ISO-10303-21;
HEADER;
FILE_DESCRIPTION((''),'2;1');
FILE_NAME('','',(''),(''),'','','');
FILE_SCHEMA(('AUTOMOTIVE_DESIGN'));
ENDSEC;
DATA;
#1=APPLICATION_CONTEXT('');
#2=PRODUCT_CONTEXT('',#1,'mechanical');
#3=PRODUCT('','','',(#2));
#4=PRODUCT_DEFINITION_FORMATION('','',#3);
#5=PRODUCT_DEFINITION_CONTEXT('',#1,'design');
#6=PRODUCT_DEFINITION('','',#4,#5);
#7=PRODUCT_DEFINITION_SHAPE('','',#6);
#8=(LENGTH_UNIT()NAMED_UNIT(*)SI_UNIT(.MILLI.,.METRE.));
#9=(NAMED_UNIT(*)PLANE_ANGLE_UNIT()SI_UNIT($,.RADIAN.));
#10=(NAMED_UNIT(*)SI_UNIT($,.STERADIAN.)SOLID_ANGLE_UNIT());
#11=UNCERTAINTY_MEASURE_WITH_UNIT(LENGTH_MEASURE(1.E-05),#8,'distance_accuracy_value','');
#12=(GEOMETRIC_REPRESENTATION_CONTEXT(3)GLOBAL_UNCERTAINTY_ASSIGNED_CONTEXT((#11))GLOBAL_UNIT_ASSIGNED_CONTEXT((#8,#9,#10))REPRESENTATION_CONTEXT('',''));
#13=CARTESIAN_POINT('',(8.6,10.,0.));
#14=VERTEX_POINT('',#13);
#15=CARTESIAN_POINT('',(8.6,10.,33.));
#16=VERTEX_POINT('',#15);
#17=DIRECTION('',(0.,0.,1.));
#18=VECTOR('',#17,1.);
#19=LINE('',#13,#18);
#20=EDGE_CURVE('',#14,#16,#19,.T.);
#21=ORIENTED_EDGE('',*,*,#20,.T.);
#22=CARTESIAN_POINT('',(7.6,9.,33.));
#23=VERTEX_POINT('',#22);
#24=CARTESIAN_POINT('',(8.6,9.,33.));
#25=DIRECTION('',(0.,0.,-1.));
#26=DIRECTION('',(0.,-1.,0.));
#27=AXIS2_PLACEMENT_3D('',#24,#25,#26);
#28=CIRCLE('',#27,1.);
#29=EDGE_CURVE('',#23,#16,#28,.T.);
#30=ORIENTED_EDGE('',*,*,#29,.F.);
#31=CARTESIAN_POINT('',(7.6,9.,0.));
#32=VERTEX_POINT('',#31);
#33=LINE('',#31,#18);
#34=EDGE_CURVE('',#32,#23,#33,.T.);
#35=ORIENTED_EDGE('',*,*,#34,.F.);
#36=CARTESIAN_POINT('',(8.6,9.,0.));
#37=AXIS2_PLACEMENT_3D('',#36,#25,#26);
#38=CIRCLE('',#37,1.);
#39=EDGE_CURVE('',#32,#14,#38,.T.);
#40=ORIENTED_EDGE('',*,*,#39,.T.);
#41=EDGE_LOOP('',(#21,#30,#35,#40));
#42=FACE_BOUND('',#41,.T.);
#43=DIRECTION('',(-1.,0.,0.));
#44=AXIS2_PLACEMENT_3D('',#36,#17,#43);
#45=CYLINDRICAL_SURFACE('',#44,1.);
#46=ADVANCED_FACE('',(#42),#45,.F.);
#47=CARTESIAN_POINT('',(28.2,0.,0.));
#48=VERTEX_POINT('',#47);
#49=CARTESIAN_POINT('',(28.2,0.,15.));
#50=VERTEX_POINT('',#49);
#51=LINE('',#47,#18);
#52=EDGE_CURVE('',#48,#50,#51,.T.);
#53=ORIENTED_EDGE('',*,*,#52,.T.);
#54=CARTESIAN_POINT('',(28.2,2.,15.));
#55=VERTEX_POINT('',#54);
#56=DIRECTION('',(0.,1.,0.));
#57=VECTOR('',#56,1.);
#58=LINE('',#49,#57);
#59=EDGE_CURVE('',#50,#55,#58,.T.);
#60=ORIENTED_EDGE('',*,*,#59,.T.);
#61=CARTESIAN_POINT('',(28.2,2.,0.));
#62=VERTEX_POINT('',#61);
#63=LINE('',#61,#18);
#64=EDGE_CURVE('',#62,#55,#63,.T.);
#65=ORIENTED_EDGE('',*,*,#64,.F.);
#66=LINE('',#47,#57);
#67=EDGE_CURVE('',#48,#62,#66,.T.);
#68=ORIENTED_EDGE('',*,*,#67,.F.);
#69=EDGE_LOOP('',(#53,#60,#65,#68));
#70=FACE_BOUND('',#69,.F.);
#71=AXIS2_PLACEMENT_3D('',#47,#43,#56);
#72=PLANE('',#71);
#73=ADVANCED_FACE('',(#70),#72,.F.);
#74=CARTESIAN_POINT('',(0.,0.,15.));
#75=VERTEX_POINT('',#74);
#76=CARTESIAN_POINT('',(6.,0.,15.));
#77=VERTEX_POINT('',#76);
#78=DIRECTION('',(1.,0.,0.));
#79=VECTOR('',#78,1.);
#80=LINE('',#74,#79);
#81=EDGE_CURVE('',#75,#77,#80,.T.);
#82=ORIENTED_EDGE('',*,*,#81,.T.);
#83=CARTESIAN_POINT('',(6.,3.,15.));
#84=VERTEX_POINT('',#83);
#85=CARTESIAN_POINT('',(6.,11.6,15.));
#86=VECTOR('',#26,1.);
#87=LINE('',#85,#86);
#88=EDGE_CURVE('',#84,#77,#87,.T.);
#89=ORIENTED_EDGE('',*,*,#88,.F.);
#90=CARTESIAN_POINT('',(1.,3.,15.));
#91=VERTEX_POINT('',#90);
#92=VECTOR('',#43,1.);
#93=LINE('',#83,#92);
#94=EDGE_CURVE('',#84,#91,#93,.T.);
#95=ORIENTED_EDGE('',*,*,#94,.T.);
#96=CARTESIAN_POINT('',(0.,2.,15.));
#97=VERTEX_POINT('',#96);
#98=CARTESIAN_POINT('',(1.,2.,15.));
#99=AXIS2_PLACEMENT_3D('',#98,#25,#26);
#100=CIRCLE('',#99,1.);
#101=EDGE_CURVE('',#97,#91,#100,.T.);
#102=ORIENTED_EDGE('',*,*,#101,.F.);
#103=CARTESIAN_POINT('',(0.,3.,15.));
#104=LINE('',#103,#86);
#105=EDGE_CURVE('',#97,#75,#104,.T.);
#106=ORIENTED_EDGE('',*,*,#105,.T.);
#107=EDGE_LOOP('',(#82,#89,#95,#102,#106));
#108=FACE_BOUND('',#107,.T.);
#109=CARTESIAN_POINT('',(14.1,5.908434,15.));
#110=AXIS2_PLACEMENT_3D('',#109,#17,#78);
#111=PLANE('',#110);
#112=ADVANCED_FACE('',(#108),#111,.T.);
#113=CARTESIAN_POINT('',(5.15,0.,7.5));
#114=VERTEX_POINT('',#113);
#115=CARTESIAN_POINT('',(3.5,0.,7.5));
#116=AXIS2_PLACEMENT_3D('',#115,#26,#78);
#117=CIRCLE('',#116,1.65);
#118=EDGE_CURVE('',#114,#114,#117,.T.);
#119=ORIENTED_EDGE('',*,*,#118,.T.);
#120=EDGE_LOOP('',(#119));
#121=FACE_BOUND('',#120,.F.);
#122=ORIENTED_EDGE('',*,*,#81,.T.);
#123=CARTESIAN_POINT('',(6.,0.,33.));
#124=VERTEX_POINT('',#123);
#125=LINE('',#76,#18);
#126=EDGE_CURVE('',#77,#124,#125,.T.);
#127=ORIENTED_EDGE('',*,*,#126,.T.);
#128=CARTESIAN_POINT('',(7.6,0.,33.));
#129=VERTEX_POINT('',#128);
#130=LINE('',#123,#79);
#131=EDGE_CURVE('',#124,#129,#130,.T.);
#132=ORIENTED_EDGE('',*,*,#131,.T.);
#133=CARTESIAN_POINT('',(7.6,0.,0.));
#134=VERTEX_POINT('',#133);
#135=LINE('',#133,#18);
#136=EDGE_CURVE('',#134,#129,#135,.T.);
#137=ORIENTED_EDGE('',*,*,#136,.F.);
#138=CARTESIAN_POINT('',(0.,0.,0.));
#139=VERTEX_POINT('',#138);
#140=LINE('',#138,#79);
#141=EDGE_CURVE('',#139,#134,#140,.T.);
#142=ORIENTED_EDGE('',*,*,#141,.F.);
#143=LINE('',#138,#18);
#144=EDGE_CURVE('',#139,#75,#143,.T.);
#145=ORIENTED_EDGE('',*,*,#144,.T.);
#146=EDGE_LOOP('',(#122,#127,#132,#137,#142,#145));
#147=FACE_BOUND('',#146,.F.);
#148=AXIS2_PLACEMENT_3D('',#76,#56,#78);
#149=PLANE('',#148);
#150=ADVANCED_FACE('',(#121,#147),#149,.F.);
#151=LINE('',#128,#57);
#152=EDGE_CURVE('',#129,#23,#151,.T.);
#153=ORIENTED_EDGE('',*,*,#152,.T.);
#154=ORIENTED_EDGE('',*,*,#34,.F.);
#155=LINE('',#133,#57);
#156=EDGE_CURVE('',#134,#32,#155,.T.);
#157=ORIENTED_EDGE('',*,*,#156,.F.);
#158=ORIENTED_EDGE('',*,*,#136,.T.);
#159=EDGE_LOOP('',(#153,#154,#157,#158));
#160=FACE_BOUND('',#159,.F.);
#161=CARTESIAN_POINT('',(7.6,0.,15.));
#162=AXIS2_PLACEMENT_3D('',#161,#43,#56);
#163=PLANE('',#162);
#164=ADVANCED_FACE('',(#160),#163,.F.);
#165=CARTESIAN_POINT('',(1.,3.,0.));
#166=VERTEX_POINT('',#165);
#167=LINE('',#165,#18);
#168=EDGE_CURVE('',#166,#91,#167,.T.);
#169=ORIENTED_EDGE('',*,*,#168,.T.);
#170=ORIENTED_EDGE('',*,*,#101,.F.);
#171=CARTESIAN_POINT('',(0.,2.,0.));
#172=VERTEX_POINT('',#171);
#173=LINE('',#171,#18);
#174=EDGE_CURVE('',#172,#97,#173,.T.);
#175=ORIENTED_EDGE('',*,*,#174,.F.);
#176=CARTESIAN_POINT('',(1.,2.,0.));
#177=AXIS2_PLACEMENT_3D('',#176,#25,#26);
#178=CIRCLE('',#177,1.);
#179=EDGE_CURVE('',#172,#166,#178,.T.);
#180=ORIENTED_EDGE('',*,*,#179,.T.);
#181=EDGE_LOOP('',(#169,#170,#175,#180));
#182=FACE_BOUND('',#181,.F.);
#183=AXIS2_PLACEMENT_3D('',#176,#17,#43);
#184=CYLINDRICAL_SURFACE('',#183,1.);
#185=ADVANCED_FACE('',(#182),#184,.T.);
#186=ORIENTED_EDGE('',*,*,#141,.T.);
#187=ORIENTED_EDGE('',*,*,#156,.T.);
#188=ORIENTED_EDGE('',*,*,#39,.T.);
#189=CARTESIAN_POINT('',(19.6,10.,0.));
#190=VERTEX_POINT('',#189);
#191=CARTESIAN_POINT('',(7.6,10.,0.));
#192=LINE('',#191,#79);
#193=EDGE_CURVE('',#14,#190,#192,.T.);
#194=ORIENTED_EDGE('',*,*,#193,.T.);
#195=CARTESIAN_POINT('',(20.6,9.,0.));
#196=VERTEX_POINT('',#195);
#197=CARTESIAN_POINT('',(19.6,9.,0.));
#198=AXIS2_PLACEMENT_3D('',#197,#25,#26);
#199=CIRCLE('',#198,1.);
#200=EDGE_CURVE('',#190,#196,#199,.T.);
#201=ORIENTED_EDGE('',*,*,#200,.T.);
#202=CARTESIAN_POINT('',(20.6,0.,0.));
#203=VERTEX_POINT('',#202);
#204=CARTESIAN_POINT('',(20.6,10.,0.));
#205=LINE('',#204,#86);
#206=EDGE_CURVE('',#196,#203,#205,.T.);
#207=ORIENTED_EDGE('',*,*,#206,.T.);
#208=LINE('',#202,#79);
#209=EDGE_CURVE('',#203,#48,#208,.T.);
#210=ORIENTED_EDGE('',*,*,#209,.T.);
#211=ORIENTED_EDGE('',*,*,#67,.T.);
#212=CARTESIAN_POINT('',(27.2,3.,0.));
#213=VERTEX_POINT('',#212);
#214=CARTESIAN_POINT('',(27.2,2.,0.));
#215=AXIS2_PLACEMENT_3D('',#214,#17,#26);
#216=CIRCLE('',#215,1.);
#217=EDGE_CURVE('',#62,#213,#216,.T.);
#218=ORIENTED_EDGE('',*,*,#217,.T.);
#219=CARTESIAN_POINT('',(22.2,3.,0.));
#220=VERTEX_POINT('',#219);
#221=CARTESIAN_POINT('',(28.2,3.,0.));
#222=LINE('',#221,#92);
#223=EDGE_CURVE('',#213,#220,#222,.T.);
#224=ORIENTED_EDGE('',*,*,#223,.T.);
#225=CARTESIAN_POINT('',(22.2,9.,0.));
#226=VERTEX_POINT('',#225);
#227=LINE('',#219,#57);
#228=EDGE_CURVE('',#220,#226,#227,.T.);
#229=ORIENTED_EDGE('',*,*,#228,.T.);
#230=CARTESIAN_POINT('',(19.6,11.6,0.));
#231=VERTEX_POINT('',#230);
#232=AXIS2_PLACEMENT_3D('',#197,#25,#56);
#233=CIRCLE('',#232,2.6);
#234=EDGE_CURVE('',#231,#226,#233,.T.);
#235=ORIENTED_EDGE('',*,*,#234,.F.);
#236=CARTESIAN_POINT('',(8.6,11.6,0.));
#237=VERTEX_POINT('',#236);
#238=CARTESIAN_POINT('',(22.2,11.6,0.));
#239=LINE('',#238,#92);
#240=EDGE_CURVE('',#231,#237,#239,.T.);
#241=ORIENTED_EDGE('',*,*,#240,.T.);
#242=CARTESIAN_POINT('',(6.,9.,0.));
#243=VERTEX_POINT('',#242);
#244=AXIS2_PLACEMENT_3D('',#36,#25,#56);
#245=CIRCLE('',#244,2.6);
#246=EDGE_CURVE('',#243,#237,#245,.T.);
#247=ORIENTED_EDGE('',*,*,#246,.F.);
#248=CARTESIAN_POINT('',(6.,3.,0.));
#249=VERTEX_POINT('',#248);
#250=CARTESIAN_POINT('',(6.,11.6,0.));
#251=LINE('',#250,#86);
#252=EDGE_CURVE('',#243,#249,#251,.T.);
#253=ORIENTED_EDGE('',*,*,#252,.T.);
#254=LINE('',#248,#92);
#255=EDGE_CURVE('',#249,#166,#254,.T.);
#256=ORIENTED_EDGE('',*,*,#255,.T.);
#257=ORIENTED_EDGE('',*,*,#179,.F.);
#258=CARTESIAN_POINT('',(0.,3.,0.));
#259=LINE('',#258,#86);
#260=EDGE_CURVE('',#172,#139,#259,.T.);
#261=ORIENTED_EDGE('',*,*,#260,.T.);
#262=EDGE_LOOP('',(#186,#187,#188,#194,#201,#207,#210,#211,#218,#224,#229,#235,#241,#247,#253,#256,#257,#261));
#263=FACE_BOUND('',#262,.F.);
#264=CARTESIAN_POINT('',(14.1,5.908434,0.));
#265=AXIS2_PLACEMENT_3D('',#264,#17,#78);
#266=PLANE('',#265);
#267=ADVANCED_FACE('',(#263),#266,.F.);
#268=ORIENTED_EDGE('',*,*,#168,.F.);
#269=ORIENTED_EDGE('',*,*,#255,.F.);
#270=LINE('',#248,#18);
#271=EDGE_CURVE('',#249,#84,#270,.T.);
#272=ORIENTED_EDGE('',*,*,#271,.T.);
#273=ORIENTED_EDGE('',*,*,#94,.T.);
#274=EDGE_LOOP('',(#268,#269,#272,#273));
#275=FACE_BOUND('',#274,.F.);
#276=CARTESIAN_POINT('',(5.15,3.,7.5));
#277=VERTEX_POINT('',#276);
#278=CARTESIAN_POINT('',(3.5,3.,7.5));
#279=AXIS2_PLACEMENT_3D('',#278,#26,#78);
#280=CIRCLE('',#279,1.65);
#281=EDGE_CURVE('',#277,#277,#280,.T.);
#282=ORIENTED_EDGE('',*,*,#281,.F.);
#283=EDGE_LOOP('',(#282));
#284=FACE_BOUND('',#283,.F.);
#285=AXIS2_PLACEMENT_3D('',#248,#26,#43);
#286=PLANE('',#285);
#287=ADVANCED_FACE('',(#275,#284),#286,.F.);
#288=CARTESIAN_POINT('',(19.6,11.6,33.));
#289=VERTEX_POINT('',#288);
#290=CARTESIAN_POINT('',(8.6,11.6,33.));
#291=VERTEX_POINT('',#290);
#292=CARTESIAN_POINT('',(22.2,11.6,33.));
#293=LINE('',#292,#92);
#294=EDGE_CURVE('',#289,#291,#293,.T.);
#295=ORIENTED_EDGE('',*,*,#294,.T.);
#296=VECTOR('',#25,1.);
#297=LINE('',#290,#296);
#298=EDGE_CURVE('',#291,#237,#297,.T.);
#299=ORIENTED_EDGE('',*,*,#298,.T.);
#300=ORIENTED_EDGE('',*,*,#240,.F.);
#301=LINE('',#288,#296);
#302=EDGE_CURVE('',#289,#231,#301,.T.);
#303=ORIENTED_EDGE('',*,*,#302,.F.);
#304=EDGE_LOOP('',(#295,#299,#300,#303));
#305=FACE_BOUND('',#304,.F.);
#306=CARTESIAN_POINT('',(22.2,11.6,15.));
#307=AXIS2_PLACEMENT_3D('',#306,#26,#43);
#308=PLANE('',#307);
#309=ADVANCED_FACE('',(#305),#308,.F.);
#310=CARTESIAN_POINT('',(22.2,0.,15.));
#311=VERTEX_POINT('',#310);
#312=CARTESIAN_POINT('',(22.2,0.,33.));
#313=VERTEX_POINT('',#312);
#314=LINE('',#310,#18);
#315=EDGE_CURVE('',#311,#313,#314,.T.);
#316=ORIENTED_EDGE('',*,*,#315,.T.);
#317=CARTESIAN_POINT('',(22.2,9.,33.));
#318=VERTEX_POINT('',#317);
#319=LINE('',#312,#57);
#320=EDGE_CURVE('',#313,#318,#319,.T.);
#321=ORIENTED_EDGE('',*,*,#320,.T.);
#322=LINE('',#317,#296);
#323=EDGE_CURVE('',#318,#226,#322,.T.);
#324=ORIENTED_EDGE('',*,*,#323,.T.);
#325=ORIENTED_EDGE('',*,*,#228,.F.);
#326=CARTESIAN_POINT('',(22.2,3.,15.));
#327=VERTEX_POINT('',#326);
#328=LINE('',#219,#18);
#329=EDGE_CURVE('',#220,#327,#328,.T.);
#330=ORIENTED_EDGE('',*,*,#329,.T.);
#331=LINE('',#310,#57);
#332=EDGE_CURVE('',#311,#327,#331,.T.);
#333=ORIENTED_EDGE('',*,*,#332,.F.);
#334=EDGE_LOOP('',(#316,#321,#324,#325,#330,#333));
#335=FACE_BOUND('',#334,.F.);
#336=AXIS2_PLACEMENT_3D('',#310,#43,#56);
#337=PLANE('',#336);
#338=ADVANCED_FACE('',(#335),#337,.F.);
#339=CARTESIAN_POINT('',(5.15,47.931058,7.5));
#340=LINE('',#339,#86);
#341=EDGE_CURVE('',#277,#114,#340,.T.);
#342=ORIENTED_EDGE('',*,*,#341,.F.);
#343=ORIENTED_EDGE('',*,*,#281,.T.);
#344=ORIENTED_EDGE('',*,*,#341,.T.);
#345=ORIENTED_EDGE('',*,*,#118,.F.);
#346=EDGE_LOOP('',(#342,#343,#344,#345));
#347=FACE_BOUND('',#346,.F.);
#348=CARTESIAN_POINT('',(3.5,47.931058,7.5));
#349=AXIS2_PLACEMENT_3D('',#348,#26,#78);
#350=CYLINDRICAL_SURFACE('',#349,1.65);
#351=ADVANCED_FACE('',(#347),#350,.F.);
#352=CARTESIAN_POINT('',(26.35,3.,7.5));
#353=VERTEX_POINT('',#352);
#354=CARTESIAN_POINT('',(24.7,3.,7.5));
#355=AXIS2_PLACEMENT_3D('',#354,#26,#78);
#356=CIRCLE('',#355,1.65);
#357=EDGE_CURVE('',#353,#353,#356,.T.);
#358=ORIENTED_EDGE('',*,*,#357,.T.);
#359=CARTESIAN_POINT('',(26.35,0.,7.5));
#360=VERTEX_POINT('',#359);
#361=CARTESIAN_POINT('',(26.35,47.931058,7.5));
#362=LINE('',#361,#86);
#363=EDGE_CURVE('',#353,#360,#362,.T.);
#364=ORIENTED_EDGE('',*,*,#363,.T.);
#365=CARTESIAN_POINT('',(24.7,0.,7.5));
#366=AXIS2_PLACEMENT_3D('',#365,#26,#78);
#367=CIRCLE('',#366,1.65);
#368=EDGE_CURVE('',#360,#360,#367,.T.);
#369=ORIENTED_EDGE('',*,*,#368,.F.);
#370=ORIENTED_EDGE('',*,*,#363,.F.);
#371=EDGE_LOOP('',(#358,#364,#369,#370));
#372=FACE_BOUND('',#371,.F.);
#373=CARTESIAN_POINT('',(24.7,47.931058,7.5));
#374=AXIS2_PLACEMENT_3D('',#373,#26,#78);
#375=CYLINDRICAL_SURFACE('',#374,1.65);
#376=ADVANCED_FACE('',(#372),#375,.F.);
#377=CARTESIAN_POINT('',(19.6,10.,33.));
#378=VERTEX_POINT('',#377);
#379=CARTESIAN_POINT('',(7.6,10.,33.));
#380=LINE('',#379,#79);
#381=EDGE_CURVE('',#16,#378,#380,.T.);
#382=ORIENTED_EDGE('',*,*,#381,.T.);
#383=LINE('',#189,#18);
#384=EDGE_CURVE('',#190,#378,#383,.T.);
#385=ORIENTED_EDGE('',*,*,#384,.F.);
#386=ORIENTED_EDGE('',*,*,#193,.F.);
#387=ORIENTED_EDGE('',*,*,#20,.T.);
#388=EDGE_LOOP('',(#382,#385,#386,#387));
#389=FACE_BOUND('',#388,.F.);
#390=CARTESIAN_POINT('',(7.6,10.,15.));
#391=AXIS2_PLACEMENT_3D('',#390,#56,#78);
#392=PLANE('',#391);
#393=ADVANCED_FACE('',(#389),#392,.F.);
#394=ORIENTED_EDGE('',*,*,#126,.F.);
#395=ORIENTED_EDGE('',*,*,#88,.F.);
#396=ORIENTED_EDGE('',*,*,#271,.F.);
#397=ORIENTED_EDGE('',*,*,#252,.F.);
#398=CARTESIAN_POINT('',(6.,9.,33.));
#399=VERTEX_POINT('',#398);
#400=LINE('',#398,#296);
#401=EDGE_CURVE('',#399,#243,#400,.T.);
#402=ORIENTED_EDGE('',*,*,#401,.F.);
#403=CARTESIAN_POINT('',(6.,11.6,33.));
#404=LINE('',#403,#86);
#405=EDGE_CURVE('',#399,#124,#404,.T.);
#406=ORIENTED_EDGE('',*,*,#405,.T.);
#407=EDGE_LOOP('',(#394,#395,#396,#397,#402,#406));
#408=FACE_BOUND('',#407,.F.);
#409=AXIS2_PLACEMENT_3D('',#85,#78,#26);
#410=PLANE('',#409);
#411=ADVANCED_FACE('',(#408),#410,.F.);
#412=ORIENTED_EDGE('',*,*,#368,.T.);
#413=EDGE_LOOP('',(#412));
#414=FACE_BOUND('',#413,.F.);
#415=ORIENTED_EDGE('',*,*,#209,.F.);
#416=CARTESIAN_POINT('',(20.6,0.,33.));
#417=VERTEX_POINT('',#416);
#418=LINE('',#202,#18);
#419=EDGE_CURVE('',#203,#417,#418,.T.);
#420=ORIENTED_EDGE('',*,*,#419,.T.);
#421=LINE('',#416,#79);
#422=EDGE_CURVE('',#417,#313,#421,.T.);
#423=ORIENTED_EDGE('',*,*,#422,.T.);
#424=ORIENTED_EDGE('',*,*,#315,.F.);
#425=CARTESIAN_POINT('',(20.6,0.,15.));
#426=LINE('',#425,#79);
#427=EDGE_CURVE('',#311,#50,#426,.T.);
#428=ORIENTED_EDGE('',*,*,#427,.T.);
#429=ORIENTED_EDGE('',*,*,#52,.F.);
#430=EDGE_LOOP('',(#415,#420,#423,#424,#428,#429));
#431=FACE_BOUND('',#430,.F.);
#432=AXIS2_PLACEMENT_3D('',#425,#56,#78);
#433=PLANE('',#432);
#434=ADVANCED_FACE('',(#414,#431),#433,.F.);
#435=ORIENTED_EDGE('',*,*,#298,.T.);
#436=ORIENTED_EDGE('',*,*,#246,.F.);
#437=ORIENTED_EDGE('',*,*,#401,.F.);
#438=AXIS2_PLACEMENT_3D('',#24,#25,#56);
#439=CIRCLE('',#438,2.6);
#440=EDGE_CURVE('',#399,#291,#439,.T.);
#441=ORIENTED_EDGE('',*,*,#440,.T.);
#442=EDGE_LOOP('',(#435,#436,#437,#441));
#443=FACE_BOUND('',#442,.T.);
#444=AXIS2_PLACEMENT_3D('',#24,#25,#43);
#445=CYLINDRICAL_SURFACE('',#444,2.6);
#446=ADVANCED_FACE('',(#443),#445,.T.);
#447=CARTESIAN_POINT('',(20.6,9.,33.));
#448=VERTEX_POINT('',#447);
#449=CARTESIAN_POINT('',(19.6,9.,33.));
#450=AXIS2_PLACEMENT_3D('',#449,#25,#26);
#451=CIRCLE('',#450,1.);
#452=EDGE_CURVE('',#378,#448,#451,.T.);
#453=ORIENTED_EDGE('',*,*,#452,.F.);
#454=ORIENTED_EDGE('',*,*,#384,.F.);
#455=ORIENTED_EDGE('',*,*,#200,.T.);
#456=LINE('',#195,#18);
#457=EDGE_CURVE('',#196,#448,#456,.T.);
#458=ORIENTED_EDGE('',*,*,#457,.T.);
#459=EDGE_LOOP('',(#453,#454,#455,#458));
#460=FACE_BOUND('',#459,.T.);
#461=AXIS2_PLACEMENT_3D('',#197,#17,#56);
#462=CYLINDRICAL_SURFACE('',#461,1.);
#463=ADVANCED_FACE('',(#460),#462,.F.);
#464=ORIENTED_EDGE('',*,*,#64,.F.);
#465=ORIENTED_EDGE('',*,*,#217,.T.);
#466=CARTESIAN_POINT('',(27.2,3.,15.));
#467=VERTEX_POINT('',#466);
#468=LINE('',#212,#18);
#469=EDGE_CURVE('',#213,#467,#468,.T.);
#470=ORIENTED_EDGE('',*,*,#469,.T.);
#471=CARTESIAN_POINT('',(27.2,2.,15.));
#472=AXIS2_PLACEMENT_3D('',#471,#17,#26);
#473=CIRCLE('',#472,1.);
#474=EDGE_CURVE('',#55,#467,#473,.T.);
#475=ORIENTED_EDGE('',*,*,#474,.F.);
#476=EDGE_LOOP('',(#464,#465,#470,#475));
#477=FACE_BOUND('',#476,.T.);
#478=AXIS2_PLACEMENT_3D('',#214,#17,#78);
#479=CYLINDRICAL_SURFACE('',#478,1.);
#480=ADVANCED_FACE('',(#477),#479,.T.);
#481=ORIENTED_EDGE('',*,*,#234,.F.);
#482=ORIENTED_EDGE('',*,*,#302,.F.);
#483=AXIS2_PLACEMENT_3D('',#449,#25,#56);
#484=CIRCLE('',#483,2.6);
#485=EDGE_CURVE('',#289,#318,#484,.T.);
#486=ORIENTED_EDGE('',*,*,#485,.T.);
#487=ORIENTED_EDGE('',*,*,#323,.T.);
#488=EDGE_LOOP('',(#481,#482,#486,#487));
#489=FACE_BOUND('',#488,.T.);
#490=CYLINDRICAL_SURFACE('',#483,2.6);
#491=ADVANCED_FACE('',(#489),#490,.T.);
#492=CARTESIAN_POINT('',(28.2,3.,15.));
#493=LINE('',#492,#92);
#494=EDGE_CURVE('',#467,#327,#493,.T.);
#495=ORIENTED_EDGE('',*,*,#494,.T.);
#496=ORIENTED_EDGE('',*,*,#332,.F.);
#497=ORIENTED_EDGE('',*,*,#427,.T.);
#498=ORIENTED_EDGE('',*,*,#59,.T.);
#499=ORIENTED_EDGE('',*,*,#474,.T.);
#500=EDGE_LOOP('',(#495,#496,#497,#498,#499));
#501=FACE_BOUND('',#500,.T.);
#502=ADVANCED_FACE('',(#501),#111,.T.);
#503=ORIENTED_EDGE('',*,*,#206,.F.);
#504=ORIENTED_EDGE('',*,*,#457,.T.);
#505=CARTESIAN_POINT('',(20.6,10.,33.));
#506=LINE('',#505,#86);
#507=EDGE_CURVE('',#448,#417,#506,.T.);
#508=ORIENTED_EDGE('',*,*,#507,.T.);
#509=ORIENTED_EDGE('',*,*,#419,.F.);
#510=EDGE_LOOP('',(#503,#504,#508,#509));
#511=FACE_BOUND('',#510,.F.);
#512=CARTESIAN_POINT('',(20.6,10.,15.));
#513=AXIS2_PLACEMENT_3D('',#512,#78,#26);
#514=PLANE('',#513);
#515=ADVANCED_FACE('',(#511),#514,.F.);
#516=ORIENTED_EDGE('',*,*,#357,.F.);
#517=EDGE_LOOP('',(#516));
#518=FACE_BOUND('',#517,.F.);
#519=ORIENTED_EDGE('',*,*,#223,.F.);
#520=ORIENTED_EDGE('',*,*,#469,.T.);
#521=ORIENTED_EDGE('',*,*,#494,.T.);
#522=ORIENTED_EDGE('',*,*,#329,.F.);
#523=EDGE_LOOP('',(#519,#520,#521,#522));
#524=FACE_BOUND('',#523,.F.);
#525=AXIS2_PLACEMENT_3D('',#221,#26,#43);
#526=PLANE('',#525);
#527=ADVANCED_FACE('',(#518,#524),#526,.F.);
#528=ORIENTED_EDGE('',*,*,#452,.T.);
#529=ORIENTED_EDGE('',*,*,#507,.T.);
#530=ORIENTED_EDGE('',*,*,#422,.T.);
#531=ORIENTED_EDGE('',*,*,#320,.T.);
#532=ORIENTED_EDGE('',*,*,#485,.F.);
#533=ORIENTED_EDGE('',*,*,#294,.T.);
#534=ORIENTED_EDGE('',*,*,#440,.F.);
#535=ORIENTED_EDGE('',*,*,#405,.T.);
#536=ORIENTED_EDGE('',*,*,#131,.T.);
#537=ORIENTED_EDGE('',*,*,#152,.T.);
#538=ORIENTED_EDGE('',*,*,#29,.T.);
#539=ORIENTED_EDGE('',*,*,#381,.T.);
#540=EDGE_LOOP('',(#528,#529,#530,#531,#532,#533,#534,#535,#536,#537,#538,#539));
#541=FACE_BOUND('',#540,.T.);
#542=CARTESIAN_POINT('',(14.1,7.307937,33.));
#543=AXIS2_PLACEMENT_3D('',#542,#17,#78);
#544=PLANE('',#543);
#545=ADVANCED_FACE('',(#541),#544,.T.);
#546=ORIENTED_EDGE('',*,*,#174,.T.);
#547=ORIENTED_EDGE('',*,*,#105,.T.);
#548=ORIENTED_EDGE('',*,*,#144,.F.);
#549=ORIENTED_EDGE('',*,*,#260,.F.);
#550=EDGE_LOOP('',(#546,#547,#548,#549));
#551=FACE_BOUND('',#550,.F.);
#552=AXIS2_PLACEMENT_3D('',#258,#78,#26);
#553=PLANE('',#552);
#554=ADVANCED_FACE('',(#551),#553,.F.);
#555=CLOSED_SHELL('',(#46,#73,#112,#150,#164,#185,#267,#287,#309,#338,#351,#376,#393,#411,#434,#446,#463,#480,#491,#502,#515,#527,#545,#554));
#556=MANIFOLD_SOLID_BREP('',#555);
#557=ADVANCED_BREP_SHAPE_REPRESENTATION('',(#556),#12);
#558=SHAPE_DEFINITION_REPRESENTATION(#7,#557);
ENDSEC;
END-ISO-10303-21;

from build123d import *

# Parameters (mm, degrees)
F2_DEPTH = 15
F4_DEPTH = 18
F6_D     = 3.3
F8_D     = 3.3
F9_R     = 1
F10_R    = 2.6


with BuildPart() as f2:
    # F1 (on Top) → F2 (new body)
    with BuildSketch(Plane.XY):
        Polygon((0, 3), (0, 0), (7.6, 0), (7.6, 10), (20.6, 10), (20.6, 0), (28.2, 0), (28.2, 3), (22.2, 3), (22.2, 11.6), (6, 11.6), (6, 3), align=None)
    extrude(amount=F2_DEPTH)

    # F3 (on face) → F4 (join)
    with BuildSketch(Plane.XY.offset(15)):
        Polygon((6, 0), (7.6, 0), (7.6, 10), (20.6, 10), (20.6, 0), (22.2, 0), (22.2, 3), (22.2, 11.6), (6, 11.6), (6, 3), align=None)
    extrude(amount=F4_DEPTH)

    # F6 (through all)
    with Locations(Plane(origin=(0, 3, 0), x_dir=(-1, 0, 0), z_dir=(0, 1, 0))):
        with Locations((-3.5, 7.5)):
            Hole(F6_D / 2)

    # F8 (through all)
    with Locations(Plane(origin=(0, 3, 0), x_dir=(-1, 0, 0), z_dir=(0, 1, 0))):
        with Locations((-24.7, 7.5)):
            Hole(F8_D / 2)

    # F9
    f9_edges = [f2.edges().sort_by_distance(p)[0] for p in [
        (20.6, 10, 16.5),
        (7.6, 10, 16.5),
        (28.2, 3, 7.5),
        (0, 3, 7.5),
    ]]
    fillet(f9_edges, radius=F9_R)

    # F10
    f10_edges = [f2.edges().sort_by_distance(p)[0] for p in [
        (6, 11.6, 16.5),
        (22.2, 11.6, 16.5),
    ]]
    fillet(f10_edges, radius=F10_R)


solid = f2.part
